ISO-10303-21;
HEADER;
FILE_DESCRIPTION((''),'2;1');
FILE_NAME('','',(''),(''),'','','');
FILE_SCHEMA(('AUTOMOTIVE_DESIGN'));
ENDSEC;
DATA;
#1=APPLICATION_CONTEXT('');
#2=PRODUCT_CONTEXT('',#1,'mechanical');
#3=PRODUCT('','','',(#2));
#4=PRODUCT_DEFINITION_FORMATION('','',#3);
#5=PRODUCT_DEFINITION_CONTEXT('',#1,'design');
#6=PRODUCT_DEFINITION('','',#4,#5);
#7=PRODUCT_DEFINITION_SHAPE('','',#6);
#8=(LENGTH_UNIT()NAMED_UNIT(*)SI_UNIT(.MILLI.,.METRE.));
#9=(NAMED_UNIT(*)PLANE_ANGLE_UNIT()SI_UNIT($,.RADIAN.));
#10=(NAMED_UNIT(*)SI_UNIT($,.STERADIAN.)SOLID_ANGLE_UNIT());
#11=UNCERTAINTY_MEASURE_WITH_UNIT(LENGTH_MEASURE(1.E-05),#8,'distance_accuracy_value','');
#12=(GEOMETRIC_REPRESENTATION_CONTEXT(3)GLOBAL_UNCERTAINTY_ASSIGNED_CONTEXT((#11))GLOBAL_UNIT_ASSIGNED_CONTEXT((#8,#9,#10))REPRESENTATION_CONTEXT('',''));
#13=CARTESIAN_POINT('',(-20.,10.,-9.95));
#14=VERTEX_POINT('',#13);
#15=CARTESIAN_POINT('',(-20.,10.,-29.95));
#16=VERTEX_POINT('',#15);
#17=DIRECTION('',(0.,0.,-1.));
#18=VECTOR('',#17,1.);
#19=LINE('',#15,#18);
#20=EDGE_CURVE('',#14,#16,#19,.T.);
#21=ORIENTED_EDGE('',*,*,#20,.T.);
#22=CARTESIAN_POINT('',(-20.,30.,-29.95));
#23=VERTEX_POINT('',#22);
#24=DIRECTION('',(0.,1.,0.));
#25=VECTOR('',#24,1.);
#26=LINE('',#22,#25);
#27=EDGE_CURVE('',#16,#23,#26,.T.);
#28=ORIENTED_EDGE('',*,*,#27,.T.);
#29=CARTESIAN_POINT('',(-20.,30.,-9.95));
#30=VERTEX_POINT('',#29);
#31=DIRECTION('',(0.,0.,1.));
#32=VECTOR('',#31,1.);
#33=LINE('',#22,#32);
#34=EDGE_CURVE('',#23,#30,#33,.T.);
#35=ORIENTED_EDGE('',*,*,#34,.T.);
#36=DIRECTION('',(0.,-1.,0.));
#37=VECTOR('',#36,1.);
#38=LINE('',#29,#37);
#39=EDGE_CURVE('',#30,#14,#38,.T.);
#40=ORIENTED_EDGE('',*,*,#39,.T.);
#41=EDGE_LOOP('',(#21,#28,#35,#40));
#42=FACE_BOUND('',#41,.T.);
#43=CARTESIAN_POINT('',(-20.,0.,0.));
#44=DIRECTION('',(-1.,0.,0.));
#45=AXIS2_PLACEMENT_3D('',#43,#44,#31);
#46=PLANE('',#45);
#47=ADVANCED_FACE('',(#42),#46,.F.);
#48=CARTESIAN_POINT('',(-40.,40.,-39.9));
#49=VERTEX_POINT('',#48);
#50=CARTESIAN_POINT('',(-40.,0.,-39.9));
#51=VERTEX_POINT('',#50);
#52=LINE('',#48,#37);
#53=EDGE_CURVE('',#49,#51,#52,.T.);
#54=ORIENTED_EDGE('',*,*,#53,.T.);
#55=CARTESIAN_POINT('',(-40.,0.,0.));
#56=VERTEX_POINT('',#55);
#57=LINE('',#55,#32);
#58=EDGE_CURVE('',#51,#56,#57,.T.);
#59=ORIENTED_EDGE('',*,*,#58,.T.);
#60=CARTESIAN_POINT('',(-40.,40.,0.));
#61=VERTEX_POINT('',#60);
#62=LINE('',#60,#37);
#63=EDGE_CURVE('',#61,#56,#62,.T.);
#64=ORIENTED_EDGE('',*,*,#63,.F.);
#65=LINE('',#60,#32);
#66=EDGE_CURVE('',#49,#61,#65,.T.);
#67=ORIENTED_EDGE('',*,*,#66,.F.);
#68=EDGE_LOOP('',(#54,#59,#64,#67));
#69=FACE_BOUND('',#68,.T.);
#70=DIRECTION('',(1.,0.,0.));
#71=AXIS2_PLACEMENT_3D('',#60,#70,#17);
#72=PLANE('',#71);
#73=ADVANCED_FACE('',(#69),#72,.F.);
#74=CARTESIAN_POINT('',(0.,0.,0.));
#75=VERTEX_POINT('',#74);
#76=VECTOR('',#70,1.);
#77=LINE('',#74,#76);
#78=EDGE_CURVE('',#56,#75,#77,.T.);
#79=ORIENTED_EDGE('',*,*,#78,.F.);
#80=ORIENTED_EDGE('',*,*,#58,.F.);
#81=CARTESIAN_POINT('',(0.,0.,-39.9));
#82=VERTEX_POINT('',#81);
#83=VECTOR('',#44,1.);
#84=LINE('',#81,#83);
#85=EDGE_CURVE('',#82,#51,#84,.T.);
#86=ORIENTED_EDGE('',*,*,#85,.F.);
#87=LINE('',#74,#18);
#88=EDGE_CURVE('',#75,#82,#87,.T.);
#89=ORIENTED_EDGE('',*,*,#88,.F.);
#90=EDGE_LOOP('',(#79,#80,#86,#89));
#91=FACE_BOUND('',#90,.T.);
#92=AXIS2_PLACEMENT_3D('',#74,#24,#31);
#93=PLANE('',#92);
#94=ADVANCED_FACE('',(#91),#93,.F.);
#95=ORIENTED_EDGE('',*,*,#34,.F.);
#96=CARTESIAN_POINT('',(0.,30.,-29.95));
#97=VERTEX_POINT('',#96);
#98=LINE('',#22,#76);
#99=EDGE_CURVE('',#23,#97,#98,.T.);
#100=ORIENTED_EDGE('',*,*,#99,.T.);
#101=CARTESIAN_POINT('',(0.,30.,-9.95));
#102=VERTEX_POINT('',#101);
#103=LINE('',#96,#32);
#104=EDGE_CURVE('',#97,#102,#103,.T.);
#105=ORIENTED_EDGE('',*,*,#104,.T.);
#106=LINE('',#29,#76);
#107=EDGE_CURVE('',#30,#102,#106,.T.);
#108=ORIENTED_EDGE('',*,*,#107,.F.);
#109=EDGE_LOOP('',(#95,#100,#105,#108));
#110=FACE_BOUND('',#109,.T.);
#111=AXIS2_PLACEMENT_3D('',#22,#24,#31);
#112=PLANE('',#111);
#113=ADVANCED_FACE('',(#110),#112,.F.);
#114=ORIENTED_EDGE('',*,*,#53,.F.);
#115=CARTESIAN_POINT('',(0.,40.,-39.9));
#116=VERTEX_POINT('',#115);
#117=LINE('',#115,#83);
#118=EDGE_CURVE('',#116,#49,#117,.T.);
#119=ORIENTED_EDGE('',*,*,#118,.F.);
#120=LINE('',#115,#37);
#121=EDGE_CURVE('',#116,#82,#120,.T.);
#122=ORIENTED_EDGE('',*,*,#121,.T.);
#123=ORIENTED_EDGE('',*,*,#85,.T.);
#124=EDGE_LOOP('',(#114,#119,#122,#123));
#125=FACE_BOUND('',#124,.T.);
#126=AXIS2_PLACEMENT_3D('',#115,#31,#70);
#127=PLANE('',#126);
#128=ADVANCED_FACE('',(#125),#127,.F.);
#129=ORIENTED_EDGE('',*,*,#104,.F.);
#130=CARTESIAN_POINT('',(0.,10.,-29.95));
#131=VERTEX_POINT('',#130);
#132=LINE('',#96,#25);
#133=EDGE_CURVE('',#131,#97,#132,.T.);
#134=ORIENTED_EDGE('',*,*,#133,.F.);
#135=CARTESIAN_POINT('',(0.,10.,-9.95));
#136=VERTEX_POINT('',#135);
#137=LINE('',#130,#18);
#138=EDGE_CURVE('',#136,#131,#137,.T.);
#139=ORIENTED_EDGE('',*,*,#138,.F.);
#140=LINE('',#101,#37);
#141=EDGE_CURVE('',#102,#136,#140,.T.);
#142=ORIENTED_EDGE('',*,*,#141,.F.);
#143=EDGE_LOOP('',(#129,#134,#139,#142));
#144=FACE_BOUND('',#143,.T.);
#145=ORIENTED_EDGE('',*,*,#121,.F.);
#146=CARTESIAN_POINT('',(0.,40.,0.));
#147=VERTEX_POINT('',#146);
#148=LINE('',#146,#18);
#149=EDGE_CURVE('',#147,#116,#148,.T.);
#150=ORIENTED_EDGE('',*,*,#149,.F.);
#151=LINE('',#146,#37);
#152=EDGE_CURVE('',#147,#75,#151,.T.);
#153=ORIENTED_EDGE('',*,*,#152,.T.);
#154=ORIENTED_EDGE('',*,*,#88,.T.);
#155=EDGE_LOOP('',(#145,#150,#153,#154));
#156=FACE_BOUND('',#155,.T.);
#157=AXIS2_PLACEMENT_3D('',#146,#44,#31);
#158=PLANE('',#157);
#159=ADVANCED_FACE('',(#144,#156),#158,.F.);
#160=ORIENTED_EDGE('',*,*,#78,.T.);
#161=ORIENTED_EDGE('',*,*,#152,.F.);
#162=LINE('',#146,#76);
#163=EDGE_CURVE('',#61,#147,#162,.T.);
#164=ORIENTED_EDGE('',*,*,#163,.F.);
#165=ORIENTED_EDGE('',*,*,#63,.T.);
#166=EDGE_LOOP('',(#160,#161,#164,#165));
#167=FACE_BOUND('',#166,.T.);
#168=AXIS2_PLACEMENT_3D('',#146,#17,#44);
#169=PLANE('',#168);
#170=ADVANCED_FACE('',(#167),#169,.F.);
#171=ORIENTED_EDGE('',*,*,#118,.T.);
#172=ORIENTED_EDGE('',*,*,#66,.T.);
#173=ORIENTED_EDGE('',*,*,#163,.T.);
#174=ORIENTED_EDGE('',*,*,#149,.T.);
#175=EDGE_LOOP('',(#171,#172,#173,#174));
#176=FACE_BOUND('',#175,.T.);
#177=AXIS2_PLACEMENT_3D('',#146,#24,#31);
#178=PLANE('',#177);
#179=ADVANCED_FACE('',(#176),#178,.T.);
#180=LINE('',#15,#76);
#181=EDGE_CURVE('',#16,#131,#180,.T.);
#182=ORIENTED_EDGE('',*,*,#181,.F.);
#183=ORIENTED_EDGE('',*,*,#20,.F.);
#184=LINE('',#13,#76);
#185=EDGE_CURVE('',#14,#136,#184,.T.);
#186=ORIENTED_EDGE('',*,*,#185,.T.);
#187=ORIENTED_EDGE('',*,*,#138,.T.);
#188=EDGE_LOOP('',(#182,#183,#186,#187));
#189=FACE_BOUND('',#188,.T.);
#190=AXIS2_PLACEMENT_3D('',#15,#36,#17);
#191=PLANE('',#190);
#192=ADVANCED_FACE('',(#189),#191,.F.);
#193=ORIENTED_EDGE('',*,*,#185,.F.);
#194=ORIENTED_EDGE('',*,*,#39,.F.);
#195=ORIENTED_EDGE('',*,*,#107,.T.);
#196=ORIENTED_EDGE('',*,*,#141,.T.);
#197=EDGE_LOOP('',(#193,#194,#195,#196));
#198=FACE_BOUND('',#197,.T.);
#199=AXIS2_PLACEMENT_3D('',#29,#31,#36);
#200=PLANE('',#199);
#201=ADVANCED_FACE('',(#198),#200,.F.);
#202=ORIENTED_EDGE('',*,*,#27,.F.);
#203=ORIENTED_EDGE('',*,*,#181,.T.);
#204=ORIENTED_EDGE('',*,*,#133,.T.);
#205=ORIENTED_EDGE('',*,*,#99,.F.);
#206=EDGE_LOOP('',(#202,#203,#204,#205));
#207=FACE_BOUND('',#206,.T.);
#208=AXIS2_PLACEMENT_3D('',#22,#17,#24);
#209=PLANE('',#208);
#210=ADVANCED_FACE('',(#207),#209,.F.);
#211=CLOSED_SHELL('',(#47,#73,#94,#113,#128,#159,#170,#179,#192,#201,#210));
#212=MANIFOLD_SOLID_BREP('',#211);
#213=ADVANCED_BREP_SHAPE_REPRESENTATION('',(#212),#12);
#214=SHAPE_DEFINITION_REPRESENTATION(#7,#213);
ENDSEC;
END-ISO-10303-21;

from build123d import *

# Parameters (mm, degrees)
SKETCH_1_W          = 40
SKETCH_1_H          = 39.9
EXTRUDE_1_DEPTH     = 40
SKETCH_3_W          = 20
SKETCH_3_H          = 20
CUT_EXTRUDE_1_DEPTH = 20


with BuildPart() as part:
    # 草图1 → 凸台-拉伸1 (new body)
    with BuildSketch(Plane(origin=(0, 0, 0), x_dir=(1, 0, 0), z_dir=(0, 1, 0))):
        with Locations((-20, 19.95)):
            Rectangle(SKETCH_1_W, SKETCH_1_H)
    extrude(amount=EXTRUDE_1_DEPTH)

    # 草图3 → 切除-拉伸1 (cut)
    with BuildSketch(Plane(origin=(0, 0, 0), x_dir=(0, 0, -1), z_dir=(1, 0, 0))):
        with Locations((19.95, 20)):
            Rectangle(SKETCH_3_W, SKETCH_3_H)
    extrude(amount=-CUT_EXTRUDE_1_DEPTH, mode=Mode.SUBTRACT)


solid = part.part
